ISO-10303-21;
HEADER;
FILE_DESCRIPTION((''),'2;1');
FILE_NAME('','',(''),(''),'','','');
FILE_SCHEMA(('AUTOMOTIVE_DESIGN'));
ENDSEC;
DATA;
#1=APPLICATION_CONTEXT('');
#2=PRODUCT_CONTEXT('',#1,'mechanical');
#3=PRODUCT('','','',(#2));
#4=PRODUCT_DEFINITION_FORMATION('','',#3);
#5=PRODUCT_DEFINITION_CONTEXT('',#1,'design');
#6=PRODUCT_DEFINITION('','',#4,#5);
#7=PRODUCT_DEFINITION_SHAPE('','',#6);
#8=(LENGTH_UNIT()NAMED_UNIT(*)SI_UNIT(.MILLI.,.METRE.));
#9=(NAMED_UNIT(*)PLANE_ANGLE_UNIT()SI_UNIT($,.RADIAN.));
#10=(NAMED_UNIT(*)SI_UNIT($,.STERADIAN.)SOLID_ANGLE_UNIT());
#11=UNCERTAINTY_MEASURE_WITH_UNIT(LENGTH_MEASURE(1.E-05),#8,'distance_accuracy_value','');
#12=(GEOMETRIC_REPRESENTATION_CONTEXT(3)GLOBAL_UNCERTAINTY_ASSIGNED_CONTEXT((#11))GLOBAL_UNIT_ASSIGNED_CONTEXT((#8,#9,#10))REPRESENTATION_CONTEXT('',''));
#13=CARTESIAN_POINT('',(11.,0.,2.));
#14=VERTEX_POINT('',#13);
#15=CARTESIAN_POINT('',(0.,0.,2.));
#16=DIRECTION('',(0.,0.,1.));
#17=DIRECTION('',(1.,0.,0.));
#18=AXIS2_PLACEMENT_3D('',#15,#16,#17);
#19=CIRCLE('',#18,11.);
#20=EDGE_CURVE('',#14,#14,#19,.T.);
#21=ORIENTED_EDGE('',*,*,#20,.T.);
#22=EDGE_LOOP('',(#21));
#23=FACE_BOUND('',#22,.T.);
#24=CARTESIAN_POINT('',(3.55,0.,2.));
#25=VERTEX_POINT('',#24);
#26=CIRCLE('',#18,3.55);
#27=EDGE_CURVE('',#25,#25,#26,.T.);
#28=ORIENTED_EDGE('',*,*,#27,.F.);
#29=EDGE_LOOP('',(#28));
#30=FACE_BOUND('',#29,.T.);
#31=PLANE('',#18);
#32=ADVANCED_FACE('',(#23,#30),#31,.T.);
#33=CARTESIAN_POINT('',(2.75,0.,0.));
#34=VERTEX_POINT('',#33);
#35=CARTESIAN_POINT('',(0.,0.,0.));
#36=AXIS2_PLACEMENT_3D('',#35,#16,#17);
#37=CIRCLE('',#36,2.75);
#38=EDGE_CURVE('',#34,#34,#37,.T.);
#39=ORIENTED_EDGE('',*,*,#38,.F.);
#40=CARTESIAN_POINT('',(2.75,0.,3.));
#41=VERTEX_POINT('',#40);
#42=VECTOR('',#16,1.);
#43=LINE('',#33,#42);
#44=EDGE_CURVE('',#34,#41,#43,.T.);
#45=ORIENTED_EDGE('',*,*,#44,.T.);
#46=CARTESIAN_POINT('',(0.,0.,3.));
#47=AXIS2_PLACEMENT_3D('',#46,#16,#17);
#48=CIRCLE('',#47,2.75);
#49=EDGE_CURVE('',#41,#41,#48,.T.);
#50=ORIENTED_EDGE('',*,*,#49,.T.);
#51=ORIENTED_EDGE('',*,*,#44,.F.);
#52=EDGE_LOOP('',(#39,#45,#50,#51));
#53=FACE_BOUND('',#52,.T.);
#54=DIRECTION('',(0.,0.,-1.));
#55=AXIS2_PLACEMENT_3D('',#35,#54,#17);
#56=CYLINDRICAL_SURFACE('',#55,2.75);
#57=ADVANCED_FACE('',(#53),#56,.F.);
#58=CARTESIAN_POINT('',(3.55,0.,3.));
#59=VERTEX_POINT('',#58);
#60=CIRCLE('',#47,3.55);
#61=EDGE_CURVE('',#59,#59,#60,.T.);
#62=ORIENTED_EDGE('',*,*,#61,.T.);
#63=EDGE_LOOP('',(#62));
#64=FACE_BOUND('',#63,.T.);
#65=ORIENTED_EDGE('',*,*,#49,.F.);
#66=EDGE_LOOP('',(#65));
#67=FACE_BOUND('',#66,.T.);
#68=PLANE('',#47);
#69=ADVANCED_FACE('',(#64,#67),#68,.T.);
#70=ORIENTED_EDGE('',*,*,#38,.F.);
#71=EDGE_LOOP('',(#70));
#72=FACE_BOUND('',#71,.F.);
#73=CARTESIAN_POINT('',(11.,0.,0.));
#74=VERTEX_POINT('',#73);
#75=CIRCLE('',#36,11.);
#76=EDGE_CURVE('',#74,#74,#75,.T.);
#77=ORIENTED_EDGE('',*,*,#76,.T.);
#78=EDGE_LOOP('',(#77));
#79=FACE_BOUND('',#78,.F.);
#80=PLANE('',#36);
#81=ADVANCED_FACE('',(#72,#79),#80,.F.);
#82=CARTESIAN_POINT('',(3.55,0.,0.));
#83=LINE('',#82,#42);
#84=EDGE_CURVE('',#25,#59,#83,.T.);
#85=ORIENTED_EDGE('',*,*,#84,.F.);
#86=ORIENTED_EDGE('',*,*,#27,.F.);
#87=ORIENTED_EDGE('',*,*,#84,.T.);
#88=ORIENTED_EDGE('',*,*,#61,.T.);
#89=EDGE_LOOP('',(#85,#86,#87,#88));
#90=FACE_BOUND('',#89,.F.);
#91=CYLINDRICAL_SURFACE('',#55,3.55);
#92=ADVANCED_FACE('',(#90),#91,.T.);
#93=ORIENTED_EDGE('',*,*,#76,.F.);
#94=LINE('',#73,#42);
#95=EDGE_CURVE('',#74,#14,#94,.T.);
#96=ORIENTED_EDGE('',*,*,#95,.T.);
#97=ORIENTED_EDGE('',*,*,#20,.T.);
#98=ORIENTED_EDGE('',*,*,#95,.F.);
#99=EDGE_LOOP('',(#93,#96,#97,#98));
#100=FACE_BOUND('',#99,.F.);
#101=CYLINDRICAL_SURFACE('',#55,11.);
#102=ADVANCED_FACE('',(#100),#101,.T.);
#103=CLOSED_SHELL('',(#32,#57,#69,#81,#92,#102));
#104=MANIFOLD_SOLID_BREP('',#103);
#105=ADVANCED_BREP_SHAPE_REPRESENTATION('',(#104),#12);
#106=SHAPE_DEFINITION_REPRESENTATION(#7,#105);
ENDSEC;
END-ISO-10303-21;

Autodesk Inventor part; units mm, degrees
ref_plane "YZ Plane" through (0, 0, 0) normal (1, 0, 0) x (0, 1, 0)
ref_plane "XZ Plane" through (0, 0, 0) normal (0, 1, 0) x (-1, 0, 0)
ref_plane "XY Plane" through (0, 0, 0) normal (0, 0, 1) x (1, 0, 0)
sketch "Szkic1" plane through (0, 0, 0) normal (0, 0, 1) x (1, 0, 0)
  circle A0 centre (0, 0) radius 11
  circle A1 centre (0, 0) radius 2.75
  circle A2 centre (0, 0) radius 3.55
  dimension "d0" = 22
  dimension "d1" = 5.5
  dimension "d2" = 7.1
extrude "Wyciągnięcie proste1" add sketch "Szkic1" along normal blind 3 contours A2
extrude "Wyciągnięcie proste2" add sketch "Szkic1" along normal blind 2 contours A0
properties part number "Y_tensioner_washer"
